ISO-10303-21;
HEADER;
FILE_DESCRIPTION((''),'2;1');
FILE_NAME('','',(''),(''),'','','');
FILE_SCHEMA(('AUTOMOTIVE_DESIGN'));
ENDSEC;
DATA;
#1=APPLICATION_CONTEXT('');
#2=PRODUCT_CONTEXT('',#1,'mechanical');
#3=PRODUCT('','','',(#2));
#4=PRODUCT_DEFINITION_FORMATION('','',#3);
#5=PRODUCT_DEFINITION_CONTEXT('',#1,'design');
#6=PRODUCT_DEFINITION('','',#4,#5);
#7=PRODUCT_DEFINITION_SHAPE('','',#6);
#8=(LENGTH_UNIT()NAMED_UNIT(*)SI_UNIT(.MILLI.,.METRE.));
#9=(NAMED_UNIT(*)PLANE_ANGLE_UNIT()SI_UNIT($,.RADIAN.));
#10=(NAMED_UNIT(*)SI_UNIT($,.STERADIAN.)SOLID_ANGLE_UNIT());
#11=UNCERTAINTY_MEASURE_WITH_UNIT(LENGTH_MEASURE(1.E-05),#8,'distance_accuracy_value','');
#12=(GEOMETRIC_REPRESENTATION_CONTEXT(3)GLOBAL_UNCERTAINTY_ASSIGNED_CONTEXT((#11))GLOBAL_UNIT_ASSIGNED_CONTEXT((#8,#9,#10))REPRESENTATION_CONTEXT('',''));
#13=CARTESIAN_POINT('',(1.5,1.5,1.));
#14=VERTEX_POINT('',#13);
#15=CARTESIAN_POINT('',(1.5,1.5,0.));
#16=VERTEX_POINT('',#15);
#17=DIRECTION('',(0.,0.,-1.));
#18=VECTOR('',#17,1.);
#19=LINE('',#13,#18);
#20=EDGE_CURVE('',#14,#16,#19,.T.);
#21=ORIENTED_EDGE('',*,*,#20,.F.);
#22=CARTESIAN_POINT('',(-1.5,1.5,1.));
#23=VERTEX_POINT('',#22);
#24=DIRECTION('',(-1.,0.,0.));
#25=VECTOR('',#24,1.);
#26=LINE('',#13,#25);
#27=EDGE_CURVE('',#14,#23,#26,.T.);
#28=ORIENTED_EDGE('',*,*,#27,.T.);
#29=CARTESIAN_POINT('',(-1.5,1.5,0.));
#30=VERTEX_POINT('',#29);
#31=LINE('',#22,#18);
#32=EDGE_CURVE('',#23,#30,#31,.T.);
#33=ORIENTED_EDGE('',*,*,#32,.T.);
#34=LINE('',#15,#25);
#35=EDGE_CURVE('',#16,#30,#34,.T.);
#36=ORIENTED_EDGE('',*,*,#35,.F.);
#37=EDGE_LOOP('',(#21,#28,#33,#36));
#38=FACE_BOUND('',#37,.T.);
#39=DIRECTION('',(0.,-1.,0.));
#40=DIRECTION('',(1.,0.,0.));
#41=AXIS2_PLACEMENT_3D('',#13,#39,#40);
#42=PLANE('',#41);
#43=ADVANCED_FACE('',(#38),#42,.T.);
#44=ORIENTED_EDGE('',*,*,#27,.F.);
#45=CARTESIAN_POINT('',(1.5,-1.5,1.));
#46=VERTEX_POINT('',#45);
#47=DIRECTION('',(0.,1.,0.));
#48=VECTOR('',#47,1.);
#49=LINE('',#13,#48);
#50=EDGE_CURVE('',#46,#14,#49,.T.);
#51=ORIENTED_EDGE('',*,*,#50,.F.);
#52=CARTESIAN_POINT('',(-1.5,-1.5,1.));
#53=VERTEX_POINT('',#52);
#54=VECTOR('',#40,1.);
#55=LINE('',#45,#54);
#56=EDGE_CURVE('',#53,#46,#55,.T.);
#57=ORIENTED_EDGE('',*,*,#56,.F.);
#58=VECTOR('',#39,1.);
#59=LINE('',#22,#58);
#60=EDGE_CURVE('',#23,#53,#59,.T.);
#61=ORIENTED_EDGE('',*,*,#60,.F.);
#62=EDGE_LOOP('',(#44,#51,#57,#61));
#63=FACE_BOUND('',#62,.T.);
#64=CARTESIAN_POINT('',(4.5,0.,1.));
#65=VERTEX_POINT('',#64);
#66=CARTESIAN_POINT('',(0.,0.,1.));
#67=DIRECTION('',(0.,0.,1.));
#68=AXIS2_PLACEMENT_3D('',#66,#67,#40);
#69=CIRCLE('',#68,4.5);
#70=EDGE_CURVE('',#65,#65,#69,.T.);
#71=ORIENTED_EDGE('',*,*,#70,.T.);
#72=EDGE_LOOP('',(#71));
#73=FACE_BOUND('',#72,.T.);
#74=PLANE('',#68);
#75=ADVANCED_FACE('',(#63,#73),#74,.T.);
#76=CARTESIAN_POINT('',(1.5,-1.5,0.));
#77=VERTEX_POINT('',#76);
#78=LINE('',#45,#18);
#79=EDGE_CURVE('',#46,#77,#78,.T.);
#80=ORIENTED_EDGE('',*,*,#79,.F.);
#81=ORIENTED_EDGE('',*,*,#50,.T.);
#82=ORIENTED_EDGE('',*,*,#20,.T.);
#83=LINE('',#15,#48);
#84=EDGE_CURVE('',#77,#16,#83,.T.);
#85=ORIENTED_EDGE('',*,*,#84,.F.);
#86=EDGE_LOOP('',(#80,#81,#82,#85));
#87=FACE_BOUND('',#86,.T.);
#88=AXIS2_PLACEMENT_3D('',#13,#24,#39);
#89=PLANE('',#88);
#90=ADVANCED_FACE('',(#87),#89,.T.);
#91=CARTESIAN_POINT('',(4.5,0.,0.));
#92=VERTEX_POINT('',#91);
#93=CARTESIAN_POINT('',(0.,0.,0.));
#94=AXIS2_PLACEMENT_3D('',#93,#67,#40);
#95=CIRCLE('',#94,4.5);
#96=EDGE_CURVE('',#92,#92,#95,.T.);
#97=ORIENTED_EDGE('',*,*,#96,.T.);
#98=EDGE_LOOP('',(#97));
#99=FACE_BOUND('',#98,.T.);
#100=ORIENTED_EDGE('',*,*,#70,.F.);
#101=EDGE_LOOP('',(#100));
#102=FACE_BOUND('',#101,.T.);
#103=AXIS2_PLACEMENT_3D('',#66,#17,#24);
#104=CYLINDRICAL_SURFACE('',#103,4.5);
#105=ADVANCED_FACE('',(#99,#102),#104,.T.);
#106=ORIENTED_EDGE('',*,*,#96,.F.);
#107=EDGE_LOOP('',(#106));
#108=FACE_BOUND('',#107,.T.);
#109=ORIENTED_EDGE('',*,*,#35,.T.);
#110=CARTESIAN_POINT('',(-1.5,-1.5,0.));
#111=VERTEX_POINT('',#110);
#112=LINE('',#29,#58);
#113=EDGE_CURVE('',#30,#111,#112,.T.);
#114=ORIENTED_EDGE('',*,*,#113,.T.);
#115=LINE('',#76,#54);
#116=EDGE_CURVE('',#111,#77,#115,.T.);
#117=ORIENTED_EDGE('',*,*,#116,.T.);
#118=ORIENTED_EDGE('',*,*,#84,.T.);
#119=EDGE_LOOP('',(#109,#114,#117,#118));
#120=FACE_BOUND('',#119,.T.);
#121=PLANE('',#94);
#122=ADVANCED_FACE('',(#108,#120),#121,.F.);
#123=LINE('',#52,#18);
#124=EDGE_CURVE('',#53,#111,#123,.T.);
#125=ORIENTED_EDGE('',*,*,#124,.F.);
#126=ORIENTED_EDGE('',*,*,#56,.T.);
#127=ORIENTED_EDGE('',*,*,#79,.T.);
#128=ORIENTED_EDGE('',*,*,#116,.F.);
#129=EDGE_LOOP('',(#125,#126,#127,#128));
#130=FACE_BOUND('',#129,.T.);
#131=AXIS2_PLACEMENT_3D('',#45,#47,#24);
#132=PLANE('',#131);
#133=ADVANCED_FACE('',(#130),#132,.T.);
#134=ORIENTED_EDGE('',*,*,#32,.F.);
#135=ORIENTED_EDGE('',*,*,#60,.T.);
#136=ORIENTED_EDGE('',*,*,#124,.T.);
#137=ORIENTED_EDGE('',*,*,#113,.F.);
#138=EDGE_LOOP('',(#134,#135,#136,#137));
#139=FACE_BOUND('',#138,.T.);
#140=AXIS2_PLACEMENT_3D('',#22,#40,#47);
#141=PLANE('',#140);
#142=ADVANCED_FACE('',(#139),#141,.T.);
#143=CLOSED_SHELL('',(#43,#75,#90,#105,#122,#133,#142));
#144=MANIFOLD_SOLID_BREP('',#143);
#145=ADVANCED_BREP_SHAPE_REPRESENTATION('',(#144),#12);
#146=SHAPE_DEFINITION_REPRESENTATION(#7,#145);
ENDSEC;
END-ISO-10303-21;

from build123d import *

# Parameters (mm, degrees)
SKETCH_1_R      = 4.5
SKETCH_1_W      = 3
SKETCH_1_H      = 3
EXTRUDE_1_DEPTH = 1


with BuildPart() as part:
    # 草图1 → 凸台-拉伸1 (new body)
    with BuildSketch(Plane.XY):
        Circle(SKETCH_1_R)
        Rectangle(SKETCH_1_W, SKETCH_1_H, mode=Mode.SUBTRACT)
    extrude(amount=EXTRUDE_1_DEPTH)


solid = part.part
